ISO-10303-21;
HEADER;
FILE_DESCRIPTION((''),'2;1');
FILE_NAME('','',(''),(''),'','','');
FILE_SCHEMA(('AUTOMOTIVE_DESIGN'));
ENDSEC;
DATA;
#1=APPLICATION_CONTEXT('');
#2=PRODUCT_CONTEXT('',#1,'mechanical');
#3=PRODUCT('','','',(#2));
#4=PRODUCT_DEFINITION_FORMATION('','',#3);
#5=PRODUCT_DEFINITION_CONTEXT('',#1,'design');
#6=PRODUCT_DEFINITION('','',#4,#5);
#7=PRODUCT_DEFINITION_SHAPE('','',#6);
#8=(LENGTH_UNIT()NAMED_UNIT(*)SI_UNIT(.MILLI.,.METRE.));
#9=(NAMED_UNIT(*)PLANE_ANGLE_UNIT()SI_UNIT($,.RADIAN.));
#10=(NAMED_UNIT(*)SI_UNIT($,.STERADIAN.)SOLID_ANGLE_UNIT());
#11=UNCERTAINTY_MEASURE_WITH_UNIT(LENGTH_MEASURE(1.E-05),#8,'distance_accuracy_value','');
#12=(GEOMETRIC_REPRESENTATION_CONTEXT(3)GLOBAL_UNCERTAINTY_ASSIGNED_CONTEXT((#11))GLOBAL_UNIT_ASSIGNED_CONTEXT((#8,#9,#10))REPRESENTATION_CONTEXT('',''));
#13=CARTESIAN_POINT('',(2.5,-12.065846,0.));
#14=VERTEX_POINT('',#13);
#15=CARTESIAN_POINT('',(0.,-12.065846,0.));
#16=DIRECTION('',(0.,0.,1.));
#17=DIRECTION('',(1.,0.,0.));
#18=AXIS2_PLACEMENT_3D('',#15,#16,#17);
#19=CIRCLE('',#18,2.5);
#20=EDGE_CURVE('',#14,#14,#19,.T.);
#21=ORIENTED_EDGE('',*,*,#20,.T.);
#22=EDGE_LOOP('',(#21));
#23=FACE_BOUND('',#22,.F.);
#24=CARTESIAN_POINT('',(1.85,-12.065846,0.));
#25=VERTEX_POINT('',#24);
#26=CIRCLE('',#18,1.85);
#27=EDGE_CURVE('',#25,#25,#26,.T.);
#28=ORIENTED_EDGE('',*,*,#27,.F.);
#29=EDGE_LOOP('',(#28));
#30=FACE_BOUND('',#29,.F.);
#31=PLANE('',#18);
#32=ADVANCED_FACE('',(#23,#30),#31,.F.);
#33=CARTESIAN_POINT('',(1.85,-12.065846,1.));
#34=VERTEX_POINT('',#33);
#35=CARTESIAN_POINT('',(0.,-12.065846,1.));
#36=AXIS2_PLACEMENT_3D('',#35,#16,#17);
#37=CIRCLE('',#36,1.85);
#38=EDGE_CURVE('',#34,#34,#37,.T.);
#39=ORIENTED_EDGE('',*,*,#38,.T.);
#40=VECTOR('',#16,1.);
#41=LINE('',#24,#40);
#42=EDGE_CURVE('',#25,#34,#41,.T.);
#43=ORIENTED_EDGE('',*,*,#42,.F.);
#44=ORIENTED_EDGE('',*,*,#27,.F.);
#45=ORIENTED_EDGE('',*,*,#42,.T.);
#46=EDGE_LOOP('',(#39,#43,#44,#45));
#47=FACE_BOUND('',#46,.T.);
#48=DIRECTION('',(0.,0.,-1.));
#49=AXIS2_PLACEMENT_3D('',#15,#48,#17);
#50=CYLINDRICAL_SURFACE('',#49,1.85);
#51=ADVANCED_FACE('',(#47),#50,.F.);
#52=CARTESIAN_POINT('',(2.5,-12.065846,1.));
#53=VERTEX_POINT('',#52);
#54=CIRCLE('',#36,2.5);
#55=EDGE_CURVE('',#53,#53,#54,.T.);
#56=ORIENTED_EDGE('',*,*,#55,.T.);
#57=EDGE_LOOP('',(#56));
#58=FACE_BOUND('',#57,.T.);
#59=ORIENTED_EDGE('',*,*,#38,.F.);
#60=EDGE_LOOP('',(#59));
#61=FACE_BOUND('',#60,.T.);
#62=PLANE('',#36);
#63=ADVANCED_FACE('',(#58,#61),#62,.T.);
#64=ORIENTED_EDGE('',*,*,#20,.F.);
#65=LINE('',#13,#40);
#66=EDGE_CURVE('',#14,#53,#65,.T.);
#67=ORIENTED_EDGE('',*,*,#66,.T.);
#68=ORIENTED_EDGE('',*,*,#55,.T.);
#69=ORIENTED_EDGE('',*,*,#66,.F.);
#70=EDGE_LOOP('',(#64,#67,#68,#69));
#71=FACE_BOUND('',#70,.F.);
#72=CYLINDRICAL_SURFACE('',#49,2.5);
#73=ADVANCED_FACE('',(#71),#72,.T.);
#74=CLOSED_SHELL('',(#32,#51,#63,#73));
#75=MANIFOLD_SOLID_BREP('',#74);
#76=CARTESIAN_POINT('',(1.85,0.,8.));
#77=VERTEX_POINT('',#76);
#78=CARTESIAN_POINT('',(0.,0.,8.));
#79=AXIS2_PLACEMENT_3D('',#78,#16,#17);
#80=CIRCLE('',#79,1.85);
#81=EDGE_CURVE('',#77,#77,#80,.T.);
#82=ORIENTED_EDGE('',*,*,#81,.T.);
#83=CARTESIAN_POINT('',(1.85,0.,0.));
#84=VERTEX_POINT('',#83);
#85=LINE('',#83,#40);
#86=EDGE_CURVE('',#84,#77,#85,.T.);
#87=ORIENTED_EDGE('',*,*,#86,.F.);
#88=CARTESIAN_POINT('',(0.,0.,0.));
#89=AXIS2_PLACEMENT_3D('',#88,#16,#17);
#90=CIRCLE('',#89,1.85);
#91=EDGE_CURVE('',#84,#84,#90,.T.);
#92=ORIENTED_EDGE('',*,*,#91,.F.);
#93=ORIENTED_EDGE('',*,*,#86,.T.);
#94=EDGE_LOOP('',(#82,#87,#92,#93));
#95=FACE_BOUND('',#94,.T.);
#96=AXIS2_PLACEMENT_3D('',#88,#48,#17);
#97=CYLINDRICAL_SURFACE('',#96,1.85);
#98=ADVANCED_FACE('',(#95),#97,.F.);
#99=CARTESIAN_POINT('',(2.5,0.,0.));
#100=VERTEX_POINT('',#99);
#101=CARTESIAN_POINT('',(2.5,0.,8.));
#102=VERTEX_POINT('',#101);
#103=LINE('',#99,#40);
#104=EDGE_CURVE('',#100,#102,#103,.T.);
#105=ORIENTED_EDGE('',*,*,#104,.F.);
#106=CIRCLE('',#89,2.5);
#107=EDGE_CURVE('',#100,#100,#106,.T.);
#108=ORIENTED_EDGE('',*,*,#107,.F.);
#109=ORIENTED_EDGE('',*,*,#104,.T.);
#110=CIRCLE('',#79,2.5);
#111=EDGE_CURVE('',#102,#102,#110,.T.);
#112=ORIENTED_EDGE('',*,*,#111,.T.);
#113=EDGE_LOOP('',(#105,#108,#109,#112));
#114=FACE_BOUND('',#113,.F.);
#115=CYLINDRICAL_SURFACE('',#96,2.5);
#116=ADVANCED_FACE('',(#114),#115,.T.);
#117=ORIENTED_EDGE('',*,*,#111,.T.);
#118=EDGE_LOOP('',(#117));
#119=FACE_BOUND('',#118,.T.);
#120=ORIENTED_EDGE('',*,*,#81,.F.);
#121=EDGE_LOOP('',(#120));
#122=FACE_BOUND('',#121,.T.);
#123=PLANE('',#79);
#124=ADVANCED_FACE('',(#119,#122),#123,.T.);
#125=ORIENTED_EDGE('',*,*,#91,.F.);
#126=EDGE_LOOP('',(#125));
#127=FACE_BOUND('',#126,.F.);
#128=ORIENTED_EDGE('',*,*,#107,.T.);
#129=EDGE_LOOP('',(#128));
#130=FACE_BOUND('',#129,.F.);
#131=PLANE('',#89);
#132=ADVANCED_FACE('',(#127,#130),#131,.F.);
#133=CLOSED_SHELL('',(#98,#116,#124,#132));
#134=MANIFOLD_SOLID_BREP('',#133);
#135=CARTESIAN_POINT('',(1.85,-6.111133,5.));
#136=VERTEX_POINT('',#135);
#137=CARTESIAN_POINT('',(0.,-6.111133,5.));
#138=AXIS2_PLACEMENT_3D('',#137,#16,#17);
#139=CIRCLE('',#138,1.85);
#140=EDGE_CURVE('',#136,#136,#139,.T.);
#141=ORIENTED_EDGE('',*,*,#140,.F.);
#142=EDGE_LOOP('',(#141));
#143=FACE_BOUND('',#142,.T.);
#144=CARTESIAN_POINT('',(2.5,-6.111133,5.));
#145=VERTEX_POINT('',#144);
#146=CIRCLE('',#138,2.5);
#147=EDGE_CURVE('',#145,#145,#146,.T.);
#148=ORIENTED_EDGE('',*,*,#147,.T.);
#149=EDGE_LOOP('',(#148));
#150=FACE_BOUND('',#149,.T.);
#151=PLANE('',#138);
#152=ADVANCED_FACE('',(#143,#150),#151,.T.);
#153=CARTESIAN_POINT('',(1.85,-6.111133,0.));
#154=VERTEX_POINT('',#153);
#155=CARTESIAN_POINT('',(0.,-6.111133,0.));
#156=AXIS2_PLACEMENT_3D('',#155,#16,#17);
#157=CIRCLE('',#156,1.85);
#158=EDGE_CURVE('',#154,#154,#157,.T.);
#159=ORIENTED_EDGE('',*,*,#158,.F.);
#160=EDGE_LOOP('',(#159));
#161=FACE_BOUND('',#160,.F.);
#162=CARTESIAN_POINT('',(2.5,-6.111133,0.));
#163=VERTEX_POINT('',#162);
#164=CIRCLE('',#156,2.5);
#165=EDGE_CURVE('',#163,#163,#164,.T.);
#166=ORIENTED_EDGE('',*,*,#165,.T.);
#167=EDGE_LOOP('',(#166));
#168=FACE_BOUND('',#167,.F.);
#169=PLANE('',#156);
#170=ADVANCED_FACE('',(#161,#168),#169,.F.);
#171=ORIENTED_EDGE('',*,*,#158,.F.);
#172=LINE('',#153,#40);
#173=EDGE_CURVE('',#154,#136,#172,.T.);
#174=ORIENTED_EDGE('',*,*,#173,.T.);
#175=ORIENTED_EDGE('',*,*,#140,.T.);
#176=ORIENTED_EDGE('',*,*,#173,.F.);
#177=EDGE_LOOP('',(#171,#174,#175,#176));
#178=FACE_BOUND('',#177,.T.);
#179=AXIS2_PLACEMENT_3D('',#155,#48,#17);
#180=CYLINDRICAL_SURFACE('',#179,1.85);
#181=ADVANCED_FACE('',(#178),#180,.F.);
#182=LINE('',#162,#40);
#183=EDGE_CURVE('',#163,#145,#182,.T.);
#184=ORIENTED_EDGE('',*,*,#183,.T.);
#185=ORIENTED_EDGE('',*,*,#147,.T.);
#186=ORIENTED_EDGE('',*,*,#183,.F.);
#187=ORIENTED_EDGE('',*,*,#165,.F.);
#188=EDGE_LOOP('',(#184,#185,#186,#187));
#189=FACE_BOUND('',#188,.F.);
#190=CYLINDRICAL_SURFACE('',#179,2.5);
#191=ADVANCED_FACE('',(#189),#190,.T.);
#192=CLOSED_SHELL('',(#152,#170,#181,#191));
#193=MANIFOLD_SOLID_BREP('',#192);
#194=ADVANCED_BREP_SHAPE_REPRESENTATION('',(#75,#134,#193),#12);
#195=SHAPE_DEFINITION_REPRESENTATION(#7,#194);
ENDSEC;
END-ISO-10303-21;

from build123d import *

# Parameters (mm, degrees)
F0_R     = 2.5
F0_R_2   = 1.85
F1_DEPTH = 8
F2_DEPTH = 5
F3_DEPTH = 1


with BuildPart() as f1:
    # F0 (on Top) → F1 (new body)
    with BuildSketch(Plane.XY):
        Circle(F0_R)
        Circle(F0_R_2, mode=Mode.SUBTRACT)
    extrude(amount=F1_DEPTH)


with BuildPart() as f2:
    # F0 (on Top) → F2 (new body)
    with BuildSketch(Plane.XY):
        with Locations((0, -6.111133)):
            Circle(F0_R)
        with Locations((0, -6.111133)):
            Circle(F0_R_2, mode=Mode.SUBTRACT)
    extrude(amount=F2_DEPTH)


with BuildPart() as f3:
    # F0 (on Top) → F3 (new body)
    with BuildSketch(Plane.XY):
        with Locations((0, -12.065846)):
            Circle(F0_R)
        with Locations((0, -12.065846)):
            Circle(F0_R_2, mode=Mode.SUBTRACT)
    extrude(amount=F3_DEPTH)


solid = Compound([f1.part, f2.part, f3.part])
